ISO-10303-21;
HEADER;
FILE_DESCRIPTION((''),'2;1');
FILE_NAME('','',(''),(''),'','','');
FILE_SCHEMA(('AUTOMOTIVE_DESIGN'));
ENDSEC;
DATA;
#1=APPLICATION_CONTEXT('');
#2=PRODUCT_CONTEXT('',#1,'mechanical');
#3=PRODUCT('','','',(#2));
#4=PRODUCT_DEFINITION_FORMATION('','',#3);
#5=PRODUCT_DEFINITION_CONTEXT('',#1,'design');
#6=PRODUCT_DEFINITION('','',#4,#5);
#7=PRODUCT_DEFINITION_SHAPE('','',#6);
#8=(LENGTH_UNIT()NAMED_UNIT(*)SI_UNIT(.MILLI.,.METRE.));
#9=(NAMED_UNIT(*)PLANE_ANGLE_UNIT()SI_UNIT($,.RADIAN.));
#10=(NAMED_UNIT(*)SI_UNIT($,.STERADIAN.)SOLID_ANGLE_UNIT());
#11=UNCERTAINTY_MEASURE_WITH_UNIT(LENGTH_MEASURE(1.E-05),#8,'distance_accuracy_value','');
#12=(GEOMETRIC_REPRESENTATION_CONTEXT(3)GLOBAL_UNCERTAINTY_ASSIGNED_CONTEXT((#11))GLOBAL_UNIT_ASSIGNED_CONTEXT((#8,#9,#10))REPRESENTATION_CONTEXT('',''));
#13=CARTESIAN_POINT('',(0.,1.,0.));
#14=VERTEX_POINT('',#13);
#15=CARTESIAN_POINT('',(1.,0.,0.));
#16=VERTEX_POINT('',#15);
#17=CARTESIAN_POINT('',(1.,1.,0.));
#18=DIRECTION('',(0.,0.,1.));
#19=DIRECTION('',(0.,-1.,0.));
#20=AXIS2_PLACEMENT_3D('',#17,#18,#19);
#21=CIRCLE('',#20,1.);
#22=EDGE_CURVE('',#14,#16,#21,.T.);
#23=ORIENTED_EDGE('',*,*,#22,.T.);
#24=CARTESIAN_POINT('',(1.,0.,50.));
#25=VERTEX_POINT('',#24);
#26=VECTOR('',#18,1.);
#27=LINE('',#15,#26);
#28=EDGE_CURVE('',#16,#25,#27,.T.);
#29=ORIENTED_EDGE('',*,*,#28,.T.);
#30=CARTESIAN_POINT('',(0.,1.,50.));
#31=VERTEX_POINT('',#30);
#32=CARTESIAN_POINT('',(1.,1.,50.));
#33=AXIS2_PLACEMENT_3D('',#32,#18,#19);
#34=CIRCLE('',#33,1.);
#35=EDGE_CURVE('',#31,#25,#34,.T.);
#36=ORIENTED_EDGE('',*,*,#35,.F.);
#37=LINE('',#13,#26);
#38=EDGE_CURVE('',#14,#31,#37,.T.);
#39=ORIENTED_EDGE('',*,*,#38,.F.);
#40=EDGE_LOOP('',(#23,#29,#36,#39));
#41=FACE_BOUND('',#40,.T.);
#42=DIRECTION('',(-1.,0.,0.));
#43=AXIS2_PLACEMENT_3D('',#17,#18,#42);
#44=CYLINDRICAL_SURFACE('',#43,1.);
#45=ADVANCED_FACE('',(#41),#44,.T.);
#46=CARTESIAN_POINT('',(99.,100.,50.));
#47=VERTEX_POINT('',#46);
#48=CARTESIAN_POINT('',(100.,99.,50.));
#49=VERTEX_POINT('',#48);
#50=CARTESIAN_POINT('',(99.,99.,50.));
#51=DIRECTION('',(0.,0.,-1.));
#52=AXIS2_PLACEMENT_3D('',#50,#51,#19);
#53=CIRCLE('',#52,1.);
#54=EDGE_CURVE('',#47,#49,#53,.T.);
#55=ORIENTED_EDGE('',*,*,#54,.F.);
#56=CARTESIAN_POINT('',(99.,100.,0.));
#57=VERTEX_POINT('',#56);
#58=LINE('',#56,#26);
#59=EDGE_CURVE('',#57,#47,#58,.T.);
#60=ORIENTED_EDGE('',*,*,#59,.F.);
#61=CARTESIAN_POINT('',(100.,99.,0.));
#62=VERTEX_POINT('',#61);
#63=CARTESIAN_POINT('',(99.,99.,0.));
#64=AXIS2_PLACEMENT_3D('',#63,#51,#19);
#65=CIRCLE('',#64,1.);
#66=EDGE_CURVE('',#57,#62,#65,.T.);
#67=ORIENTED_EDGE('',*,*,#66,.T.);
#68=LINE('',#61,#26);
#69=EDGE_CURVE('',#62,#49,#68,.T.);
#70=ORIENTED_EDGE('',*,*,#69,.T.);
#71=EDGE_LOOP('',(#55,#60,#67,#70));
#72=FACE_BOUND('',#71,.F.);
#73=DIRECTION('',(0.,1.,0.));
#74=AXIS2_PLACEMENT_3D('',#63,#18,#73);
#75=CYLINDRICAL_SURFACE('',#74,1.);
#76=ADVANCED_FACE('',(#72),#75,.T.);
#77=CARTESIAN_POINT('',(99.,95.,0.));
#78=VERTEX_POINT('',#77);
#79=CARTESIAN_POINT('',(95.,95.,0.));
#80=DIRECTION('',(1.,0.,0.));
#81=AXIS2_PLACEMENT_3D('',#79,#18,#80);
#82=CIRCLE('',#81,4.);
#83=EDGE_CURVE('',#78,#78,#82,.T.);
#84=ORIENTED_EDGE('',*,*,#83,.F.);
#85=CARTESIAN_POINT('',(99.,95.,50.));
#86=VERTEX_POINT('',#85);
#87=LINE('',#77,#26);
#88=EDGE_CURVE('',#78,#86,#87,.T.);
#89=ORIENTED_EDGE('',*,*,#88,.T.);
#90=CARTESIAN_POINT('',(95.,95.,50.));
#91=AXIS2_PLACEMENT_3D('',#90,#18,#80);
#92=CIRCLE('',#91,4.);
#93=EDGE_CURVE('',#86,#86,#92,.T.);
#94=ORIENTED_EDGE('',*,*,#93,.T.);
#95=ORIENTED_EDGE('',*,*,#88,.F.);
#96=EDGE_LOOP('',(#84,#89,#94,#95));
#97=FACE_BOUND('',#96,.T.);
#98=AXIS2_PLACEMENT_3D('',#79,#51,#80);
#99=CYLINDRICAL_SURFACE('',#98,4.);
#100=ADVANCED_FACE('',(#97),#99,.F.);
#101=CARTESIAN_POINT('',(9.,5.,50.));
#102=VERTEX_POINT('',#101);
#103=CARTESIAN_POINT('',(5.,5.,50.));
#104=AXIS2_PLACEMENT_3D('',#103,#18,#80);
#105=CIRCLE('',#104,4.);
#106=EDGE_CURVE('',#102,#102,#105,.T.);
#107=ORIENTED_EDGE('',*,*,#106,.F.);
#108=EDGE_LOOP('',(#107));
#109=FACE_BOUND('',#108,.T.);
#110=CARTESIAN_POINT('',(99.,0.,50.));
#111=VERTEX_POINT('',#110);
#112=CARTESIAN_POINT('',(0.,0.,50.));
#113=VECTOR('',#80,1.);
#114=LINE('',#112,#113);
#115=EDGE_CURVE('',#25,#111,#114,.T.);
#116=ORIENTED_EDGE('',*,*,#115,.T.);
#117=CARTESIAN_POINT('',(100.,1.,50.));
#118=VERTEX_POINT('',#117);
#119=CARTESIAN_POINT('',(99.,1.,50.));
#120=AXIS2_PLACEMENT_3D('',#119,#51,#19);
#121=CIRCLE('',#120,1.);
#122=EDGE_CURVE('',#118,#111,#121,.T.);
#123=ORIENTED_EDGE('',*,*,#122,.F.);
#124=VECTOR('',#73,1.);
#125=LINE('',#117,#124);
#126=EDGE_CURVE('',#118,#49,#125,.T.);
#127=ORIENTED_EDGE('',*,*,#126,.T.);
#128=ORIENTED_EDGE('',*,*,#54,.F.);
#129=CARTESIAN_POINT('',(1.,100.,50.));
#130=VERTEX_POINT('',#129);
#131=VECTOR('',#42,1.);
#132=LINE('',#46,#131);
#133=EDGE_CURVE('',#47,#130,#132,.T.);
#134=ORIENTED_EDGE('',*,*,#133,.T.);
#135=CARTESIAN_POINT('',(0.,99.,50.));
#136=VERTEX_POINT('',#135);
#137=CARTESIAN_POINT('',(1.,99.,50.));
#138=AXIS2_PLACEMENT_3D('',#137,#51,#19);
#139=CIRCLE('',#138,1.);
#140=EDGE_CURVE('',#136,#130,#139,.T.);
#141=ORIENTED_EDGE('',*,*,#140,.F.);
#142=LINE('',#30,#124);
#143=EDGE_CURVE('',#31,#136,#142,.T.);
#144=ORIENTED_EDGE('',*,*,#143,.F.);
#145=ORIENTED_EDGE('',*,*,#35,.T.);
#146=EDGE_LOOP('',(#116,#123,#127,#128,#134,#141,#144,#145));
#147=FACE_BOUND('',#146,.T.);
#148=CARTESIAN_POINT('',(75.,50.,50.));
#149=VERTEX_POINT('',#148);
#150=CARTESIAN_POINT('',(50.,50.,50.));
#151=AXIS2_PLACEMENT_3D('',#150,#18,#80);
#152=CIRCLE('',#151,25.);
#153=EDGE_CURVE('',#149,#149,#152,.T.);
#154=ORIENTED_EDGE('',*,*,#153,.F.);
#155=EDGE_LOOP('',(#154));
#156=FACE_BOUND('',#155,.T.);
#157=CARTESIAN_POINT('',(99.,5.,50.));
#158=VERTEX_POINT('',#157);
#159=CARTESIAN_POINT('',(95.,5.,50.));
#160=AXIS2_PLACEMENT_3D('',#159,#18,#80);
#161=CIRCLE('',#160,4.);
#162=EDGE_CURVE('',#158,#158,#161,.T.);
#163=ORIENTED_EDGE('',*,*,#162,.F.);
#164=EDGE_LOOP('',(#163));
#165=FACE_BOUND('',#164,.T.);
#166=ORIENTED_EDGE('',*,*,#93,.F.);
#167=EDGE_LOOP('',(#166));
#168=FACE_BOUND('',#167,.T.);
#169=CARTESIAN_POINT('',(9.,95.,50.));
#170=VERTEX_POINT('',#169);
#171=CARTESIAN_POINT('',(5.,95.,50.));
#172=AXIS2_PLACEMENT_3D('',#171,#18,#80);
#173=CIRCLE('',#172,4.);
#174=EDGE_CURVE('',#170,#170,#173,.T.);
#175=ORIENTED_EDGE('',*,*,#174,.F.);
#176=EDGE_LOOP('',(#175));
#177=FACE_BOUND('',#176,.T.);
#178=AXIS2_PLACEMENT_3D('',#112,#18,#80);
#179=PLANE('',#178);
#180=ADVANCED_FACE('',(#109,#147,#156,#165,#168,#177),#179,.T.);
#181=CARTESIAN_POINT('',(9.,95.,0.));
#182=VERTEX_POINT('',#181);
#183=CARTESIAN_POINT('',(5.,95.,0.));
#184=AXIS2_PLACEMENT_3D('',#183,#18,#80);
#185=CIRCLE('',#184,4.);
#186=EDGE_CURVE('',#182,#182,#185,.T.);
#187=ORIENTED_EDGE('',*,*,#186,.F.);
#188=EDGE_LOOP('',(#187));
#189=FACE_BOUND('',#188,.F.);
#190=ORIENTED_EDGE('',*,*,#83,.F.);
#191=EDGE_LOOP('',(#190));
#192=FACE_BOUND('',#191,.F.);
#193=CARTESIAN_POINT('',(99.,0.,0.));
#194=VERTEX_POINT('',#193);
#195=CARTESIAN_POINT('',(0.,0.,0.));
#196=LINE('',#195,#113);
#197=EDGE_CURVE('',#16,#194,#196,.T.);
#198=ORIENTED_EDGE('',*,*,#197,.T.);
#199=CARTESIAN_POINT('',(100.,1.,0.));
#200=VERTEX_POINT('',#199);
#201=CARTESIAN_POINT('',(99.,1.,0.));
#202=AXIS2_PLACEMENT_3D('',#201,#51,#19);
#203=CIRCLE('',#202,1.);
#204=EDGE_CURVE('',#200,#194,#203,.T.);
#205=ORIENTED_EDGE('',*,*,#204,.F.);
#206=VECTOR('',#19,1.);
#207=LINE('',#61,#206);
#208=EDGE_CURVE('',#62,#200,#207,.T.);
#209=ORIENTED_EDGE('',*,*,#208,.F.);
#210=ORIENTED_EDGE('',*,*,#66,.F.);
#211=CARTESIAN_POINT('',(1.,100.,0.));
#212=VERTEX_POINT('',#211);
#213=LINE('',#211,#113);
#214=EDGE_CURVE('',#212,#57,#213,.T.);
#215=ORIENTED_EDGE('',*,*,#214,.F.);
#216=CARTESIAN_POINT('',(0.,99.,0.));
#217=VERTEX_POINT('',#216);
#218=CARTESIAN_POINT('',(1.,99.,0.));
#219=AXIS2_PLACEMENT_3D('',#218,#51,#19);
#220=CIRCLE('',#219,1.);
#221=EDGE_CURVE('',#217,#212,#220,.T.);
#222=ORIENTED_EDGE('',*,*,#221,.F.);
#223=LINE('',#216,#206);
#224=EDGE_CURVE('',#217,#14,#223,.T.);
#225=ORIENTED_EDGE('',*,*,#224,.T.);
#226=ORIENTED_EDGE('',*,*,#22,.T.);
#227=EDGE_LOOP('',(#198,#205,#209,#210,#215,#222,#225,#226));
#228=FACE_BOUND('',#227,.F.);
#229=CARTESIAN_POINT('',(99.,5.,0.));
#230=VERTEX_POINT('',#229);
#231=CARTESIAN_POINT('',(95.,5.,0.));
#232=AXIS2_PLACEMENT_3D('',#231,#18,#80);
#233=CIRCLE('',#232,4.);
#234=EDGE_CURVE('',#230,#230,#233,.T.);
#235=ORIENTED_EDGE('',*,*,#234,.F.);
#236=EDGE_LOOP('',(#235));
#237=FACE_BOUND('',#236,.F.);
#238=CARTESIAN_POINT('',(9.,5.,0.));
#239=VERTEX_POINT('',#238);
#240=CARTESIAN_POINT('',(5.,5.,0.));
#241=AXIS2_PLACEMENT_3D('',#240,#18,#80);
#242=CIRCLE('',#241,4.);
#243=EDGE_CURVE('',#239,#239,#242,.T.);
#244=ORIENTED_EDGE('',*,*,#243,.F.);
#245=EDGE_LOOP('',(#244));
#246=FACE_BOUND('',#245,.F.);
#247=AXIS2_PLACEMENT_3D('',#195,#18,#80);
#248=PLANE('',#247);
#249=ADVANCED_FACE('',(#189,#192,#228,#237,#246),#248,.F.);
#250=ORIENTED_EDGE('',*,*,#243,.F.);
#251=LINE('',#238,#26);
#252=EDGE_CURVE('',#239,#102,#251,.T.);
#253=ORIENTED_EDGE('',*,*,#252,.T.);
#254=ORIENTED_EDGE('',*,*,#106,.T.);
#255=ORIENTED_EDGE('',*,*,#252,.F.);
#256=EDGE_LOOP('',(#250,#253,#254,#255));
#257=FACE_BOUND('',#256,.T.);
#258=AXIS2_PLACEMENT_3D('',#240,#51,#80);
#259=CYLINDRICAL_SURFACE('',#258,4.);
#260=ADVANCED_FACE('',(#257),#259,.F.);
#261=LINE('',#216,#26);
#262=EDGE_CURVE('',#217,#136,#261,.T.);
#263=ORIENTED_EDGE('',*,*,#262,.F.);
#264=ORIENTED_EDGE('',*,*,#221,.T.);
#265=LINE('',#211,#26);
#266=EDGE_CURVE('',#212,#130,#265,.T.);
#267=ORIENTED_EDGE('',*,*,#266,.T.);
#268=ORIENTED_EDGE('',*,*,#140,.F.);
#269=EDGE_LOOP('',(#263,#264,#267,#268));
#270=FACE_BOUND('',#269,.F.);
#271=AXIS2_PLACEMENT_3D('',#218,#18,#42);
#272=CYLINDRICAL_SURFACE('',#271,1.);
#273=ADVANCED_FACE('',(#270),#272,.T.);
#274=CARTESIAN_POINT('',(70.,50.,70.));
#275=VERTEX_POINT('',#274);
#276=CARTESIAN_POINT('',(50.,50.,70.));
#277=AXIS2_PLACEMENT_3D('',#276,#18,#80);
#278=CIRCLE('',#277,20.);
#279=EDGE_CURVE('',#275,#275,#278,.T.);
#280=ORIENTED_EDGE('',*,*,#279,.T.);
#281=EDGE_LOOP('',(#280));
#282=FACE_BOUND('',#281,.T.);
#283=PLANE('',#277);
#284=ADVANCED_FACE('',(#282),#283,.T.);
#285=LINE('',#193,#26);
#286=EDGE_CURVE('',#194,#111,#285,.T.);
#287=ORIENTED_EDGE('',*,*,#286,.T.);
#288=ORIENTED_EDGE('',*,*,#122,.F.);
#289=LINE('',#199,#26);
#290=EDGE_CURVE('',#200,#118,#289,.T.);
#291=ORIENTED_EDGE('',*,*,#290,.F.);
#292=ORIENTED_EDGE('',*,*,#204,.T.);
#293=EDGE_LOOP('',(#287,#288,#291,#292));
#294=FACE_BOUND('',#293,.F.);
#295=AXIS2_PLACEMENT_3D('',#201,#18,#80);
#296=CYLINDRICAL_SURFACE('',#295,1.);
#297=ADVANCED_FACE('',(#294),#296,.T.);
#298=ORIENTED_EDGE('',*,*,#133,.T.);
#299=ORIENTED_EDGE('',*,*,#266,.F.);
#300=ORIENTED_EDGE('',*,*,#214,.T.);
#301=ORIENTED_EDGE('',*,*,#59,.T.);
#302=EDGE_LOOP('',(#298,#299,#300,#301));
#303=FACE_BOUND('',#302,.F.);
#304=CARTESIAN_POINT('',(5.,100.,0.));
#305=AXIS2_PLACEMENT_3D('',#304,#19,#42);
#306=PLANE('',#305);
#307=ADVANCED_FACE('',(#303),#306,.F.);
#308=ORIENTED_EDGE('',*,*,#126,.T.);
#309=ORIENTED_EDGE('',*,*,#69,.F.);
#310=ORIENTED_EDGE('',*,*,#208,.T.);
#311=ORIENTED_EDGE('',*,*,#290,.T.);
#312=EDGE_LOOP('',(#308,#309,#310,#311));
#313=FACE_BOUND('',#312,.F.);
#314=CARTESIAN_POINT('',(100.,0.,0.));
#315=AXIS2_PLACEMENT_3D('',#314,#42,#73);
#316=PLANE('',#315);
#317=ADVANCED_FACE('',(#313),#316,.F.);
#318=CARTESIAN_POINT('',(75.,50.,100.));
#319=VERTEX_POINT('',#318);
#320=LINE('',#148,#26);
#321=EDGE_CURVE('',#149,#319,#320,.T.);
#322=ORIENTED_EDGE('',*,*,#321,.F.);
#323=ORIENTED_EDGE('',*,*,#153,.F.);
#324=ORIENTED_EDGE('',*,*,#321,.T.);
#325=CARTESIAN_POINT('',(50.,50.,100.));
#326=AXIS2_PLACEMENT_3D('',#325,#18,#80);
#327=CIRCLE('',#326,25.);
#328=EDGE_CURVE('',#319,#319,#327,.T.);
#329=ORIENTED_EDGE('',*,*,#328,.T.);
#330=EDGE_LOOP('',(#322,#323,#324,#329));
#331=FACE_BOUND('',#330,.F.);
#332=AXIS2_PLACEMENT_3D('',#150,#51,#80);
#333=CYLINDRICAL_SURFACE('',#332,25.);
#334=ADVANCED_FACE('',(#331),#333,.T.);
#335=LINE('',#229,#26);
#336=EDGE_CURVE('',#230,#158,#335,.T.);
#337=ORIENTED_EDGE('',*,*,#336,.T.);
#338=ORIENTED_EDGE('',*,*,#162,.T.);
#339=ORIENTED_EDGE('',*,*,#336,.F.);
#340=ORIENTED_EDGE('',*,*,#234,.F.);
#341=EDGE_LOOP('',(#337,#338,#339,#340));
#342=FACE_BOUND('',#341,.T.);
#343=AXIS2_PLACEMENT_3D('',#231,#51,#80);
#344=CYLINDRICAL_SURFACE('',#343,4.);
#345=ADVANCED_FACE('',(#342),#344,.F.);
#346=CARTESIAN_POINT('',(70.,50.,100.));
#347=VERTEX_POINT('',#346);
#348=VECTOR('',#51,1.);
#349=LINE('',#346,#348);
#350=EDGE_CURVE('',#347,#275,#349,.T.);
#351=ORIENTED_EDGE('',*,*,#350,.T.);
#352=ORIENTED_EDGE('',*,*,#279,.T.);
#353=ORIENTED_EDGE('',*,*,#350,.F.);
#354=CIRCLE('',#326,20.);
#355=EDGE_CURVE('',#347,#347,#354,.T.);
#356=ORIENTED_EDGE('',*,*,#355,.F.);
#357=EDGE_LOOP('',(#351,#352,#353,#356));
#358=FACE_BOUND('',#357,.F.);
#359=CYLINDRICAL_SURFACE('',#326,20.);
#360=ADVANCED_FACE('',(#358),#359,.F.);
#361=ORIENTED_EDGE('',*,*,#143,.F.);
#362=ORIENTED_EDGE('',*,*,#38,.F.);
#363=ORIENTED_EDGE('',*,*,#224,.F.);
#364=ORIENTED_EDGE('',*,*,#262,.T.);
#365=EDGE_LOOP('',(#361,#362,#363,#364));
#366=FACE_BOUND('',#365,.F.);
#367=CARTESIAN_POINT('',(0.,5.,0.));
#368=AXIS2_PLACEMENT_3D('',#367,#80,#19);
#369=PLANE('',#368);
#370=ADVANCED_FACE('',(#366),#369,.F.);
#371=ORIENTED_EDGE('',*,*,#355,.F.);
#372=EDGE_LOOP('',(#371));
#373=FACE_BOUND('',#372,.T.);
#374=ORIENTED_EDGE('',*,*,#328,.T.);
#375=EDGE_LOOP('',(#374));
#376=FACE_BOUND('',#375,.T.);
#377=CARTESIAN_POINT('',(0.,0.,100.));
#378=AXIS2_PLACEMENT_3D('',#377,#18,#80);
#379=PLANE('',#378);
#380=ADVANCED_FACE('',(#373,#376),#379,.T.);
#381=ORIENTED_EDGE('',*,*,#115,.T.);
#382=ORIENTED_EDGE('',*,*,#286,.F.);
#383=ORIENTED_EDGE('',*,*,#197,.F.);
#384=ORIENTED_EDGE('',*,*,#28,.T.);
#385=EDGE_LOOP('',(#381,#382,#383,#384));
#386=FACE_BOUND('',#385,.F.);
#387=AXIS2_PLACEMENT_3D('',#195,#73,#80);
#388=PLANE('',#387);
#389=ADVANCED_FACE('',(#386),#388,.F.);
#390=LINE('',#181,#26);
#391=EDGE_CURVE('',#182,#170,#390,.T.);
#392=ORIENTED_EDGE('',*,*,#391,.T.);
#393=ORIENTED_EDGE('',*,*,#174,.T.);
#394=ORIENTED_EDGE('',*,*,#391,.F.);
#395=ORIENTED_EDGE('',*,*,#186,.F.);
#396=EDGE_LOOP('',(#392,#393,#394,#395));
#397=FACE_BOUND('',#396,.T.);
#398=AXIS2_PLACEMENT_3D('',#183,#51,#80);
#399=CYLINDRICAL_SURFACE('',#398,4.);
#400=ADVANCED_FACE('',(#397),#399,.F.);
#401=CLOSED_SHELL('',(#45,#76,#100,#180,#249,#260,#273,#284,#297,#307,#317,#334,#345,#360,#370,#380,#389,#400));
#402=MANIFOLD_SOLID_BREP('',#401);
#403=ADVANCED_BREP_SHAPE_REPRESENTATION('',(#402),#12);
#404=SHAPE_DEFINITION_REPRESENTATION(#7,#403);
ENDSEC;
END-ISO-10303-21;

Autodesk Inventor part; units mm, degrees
ref_plane "YZ Plane" through (0, 0, 0) normal (1, 0, 0) x (0, 1, 0)
ref_plane "XZ Plane" through (0, 0, 0) normal (0, 1, 0) x (-1, 0, 0)
ref_plane "XY Plane" through (0, 0, 0) normal (0, 0, 1) x (1, 0, 0)
sketch "Boceto1" plane through (0, 0, 0) normal (0, 0, 1) x (1, 0, 0)
  line L0 (0, 0) -> (100, 0)
  line L1 (100, 0) -> (100, 100)
  line L2 (100, 100) -> (0, 100)
  line L3 (0, 100) -> (0, 0)
  line L4 (0, 100) -> (5, 100)
  circle A0 centre (5, 95) radius 4
  line L5 (0, 0) -> (0, 5)
  circle A1 centre (5, 5) radius 4
  line L6 (100, 0) -> (100, 5)
  circle A2 centre (95, 5) radius 4
  line L7 (100, 100) -> (95, 100)
  circle A3 centre (95, 95) radius 4
  line L8 (0, 100) -> (50, 100)
  line L9 (50, 100) -> (50, 50)
  dimension "d6" = 100
  dimension "d7" = 100
  dimension "d10" = 8
  dimension "d20" = 50
  dimension "d21" = 50
extrude "Extrusión1" add sketch "Boceto1" along normal blind 50
fillet "Empalme1" radius 1 4 edges at (100, 0, 25) (0, 0, 25) (100, 100, 25) (0, 100, 25)
sketch "Boceto2" plane through (0, 0, 50) normal (0, 0, 1) x (1, 0, 0)
  circle A0 centre (50, 50) radius 25
  point P0 (0, 0)
  dimension "d27" = 50
extrude "Extrusión2" add sketch "Boceto2" along normal blind 50
sketch "Boceto3" plane through (50, 50, 100) normal (0, 0, 1) x (1, 0, 0)
  circle A0 centre (0, 0) radius 20
  point P0 (-50, -50)
  dimension "d30" = 40
extrude "Extrusión3" cut sketch "Boceto3" against normal blind 30
thread "Rosca1" size "M40x3" class "6H" standard "ANSI Metric M Profile" length 30
properties part number "Tarea 1 Joel Monroy Lab Din"
